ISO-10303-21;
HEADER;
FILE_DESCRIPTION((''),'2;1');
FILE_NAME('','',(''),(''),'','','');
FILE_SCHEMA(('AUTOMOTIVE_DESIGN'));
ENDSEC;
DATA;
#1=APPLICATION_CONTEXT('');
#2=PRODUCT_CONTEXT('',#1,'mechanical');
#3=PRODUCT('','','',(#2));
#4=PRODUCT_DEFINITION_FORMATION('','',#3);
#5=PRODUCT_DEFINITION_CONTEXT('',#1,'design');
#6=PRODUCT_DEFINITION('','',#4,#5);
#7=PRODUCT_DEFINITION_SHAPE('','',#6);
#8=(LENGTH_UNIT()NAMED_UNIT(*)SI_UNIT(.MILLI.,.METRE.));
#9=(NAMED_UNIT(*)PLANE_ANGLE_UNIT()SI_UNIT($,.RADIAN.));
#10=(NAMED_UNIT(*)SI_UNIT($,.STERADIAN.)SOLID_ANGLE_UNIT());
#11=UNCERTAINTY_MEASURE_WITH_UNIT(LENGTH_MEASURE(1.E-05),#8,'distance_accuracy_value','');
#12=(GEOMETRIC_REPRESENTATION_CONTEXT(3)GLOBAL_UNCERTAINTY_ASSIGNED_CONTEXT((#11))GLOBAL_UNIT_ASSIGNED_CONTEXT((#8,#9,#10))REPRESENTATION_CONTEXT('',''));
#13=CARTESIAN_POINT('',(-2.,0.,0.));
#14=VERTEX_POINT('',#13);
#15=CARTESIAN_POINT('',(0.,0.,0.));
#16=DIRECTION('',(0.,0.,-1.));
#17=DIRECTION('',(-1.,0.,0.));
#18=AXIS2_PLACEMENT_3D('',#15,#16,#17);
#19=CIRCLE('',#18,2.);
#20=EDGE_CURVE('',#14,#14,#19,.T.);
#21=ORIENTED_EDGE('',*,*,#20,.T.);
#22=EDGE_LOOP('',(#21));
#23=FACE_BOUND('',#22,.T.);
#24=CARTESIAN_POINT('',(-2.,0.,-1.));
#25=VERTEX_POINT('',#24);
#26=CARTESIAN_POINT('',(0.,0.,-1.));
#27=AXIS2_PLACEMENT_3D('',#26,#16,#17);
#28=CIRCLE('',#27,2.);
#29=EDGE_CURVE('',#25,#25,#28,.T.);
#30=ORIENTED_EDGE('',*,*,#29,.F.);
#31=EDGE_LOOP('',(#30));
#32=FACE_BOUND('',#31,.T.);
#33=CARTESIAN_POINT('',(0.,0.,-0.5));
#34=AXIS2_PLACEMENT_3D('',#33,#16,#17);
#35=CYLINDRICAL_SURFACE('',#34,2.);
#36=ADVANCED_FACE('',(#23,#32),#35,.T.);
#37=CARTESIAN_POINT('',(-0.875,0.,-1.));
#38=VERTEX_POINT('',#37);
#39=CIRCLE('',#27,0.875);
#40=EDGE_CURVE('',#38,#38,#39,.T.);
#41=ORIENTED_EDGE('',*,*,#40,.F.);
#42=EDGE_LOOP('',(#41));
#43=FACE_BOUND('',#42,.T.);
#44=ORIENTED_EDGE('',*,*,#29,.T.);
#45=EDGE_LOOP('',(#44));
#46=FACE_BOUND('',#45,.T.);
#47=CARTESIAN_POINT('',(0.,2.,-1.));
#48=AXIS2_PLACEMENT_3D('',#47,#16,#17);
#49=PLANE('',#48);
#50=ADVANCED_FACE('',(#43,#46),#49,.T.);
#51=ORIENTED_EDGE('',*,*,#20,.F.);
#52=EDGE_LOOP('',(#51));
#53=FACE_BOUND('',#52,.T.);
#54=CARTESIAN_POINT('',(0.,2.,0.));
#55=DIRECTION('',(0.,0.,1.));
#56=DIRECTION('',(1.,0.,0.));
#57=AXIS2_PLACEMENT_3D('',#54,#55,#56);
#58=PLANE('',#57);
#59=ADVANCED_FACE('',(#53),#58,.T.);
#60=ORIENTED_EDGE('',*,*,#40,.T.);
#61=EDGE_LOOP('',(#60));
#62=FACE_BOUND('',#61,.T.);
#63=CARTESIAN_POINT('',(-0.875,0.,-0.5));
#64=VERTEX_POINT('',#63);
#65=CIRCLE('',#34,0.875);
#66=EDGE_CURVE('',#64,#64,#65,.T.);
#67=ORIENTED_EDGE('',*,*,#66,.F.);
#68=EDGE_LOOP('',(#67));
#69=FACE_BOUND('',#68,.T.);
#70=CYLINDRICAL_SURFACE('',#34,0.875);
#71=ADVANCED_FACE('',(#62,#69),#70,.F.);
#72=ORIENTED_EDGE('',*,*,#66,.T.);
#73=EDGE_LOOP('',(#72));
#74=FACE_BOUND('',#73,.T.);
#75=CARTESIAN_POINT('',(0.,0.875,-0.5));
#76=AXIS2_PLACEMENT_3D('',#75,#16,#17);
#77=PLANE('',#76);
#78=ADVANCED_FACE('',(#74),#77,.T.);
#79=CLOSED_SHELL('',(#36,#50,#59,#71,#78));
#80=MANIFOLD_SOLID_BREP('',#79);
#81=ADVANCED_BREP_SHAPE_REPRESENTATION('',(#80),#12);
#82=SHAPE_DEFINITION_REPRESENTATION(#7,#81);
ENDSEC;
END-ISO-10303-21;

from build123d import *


with BuildPart() as part:
    # Sketch2 → Revolve1 (revolve)
    with BuildSketch(Plane(origin=(0, 0, 0), x_dir=(0, 0, -1), z_dir=(1, 0, 0)), mode=Mode.PRIVATE) as revolve1_sk:
        Polygon((0, 2), (1, 2), (1, 0.875), (0.5, 0.875), (0.5, 0), (0, 0), align=None)
    revolve(revolve1_sk.sketch.rotate(Axis((0, 0, -0.5), (0, 0, 1)), 90), axis=Axis((0, 0, -0.5), (0, 0, 1)))


solid = part.part
